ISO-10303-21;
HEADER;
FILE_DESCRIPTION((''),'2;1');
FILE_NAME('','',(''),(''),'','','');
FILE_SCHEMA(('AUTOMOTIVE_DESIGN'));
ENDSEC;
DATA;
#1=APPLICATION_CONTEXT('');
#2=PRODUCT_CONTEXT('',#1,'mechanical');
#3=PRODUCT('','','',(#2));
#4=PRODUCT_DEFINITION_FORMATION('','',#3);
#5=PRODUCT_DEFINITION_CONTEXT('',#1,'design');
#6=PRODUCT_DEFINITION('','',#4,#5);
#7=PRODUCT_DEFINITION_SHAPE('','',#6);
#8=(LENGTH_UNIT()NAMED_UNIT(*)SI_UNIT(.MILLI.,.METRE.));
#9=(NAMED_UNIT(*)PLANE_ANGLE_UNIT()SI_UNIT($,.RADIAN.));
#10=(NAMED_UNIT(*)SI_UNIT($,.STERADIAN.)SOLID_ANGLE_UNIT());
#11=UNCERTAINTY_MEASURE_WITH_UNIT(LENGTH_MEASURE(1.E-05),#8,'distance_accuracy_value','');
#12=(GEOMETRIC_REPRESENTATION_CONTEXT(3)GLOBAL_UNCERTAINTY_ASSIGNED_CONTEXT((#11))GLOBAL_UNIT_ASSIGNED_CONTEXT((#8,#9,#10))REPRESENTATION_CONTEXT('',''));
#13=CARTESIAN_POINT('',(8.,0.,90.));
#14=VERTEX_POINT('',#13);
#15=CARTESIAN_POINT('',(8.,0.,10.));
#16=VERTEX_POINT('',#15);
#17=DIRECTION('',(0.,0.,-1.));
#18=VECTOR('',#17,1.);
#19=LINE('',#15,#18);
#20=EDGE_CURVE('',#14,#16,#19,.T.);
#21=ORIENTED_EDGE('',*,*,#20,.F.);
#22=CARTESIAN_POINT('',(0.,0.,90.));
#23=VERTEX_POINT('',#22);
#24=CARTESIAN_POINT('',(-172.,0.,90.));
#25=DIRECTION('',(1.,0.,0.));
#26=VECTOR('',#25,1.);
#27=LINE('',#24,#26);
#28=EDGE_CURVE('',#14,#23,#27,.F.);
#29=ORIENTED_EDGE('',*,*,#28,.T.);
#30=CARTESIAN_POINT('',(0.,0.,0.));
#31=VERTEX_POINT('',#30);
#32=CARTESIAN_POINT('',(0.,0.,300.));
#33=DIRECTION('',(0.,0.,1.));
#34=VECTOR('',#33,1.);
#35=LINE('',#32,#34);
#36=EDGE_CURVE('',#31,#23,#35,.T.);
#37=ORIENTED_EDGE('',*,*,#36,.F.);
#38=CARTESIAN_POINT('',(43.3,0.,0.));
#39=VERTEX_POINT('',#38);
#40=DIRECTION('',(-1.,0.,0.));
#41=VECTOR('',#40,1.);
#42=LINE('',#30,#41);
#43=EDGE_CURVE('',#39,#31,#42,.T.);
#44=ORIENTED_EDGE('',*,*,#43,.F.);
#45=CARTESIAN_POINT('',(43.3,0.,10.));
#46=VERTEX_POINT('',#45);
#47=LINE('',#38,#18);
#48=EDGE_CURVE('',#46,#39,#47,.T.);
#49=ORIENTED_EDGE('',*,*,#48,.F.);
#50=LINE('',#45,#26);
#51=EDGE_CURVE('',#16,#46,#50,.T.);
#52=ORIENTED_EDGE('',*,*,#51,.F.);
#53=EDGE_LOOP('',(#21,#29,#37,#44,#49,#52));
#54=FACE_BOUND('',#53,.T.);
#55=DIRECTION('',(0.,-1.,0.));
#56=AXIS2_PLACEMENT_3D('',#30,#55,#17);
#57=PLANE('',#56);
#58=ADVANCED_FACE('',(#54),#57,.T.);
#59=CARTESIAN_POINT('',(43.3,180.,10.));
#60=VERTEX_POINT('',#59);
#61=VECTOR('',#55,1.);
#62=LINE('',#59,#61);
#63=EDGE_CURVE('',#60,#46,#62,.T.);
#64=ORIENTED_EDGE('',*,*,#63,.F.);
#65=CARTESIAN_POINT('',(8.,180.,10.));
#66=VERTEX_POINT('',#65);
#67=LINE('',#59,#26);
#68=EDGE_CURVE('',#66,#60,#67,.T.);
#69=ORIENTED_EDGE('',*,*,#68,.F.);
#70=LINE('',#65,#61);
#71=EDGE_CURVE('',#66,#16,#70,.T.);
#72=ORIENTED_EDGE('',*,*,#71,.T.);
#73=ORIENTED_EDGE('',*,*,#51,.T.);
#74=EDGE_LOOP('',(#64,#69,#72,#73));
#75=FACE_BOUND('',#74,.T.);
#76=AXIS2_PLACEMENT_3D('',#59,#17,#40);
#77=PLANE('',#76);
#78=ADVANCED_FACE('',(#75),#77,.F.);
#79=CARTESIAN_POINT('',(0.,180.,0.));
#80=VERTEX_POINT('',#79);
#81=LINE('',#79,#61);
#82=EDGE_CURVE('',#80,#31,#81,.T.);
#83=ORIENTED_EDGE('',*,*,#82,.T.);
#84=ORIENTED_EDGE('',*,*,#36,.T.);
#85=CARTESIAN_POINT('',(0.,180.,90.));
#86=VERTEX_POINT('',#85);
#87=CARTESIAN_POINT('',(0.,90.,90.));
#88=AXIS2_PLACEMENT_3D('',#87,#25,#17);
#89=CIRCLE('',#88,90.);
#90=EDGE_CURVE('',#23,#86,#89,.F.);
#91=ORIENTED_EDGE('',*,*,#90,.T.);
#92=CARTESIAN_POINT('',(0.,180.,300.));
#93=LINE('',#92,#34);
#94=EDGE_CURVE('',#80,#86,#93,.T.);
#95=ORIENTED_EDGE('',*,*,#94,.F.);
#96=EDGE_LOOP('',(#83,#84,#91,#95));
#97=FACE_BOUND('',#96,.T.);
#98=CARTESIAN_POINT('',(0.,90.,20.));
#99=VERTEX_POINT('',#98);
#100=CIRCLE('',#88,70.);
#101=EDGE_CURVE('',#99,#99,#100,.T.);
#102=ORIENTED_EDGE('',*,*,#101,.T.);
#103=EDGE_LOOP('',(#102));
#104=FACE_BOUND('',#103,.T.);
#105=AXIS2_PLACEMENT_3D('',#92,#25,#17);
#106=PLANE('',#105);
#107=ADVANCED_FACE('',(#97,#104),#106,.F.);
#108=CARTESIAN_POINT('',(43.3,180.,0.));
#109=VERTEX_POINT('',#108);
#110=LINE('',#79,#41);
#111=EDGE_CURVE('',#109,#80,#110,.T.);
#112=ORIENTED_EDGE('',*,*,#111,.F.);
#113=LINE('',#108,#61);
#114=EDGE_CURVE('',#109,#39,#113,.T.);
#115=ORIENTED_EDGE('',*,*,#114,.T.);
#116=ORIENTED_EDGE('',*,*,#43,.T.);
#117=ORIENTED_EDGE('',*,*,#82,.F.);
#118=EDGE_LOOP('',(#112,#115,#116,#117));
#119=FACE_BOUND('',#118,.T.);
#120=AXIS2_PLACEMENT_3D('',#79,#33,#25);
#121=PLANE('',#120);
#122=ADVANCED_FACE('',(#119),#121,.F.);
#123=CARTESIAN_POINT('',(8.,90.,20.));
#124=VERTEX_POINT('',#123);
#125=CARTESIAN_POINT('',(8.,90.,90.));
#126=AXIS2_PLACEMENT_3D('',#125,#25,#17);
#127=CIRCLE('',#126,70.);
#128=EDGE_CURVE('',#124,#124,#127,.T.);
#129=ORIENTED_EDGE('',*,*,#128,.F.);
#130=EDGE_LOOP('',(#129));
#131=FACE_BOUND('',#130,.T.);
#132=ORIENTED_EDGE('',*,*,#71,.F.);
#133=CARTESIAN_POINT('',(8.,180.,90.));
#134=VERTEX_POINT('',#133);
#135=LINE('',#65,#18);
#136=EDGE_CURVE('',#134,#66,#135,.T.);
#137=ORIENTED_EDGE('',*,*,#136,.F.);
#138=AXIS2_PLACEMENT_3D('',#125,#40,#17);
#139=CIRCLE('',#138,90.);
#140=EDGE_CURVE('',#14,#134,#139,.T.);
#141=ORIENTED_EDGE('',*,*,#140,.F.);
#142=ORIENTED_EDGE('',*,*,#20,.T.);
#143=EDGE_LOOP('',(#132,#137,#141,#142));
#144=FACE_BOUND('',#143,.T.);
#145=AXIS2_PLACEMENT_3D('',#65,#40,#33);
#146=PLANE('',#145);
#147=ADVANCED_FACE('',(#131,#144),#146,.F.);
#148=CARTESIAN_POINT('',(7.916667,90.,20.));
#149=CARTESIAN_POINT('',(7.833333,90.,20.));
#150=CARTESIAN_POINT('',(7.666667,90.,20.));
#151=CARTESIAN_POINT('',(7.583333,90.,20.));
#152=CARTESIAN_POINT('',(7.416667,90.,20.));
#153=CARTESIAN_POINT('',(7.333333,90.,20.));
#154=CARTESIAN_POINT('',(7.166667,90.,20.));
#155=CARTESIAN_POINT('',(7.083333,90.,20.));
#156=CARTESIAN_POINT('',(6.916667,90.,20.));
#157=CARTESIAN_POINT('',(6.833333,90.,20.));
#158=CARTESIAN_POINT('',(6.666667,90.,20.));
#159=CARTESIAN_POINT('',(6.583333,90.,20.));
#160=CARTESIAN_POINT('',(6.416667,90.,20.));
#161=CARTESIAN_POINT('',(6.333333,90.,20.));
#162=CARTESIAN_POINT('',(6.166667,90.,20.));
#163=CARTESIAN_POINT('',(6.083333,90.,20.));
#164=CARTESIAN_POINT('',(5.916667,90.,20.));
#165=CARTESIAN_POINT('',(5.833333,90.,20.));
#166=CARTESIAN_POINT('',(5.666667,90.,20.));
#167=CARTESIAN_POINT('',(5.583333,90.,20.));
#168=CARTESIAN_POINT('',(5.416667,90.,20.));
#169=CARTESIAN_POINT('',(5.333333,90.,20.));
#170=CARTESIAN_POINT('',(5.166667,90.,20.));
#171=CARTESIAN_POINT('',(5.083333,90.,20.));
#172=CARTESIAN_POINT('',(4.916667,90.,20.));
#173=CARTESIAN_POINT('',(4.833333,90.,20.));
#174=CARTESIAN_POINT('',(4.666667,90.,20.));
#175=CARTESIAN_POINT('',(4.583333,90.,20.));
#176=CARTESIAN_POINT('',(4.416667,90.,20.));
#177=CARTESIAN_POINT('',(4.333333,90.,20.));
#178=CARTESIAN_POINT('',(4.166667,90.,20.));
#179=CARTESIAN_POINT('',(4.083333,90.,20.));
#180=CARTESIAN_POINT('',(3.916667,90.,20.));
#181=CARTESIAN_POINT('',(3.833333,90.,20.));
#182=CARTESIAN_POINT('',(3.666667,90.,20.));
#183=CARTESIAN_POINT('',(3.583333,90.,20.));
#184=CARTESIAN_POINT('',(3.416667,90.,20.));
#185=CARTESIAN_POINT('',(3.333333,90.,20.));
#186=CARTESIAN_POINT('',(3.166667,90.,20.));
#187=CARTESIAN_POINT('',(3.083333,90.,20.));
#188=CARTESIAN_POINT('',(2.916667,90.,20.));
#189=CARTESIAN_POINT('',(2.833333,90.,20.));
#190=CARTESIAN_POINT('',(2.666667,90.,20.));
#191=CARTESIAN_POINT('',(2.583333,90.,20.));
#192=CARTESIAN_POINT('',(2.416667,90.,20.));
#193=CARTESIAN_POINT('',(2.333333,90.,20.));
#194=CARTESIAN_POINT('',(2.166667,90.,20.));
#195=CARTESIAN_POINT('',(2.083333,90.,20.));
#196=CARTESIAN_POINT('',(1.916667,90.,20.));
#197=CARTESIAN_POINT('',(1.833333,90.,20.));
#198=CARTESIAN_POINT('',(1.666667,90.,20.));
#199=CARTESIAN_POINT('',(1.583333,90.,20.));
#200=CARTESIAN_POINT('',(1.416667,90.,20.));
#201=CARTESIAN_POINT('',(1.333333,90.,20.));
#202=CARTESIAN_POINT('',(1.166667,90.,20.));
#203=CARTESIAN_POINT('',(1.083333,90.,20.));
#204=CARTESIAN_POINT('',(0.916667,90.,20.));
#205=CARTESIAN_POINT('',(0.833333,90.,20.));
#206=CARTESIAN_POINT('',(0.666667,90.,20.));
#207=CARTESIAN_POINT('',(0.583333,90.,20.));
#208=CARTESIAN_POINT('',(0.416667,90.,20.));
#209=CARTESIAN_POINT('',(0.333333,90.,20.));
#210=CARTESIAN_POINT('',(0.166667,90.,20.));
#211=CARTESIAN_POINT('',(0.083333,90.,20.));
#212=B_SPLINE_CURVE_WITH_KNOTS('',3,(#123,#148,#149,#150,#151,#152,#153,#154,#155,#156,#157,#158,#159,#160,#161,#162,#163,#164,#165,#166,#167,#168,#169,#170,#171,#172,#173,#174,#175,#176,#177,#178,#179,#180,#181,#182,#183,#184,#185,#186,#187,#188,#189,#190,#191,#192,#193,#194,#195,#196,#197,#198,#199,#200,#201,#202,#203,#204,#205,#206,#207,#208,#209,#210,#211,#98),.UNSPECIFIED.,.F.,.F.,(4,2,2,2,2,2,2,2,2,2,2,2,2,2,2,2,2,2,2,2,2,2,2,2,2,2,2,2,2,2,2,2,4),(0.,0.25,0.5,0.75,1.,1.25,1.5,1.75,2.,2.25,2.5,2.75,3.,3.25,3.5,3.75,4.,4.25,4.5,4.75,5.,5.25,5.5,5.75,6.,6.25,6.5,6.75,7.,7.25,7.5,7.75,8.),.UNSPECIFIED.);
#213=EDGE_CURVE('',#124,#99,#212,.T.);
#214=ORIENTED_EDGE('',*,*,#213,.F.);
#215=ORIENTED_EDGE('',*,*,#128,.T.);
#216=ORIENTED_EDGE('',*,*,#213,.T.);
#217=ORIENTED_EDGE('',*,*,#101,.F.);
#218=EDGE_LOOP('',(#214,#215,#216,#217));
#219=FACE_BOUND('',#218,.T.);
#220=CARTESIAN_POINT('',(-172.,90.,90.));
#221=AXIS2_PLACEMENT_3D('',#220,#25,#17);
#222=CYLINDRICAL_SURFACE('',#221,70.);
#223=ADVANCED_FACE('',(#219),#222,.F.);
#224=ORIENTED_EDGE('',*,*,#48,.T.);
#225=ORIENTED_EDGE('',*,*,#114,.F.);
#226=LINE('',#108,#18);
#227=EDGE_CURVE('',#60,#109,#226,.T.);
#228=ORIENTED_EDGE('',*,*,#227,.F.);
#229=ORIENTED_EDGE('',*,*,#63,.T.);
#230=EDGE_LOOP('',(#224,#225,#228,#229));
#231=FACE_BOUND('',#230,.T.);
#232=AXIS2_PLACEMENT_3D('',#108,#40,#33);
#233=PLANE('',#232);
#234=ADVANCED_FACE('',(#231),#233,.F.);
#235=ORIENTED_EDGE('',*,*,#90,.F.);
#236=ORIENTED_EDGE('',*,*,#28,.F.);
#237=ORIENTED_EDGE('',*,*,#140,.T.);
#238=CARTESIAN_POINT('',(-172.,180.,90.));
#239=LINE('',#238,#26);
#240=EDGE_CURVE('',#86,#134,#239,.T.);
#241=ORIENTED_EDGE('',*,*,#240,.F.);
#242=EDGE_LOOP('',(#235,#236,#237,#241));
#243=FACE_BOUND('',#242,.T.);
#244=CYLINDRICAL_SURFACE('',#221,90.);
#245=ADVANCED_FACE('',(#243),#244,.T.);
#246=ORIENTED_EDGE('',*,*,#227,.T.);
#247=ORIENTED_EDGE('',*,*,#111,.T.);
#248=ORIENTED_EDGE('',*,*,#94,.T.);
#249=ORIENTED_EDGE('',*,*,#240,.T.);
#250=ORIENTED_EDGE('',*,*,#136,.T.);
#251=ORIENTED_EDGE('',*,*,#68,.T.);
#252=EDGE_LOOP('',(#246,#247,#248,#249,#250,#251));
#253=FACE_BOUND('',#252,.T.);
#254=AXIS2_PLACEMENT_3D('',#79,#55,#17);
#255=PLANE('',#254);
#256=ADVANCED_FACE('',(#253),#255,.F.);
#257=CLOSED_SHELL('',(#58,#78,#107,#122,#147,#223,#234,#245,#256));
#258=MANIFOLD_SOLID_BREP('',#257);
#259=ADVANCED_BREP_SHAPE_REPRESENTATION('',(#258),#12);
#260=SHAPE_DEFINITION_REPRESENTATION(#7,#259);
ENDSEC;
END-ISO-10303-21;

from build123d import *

# Parameters (mm, degrees)
EXTRUDE_1_DEPTH     = 180
SKETCH_2_R          = 70
CUT_EXTRUDE_1_DEPTH = 180


with BuildPart() as part:
    # 草图1 → 凸台-拉伸1 (new body)
    with BuildSketch(Plane(origin=(0, 0, 0), x_dir=(1, 0, 0), z_dir=(0, 1, 0))):
        Polygon((0, 0), (43.3, 0), (43.3, -10), (8, -10), (8, -300), (0, -300), align=None)
    extrude(amount=EXTRUDE_1_DEPTH)

    # 草图2 → 切除-拉伸1 (cut)
    with BuildSketch(Plane(origin=(8, 0, 0), x_dir=(0, 0, -1), z_dir=(1, 0, 0))):
        with Locations((-90, 90)):
            Circle(SKETCH_2_R)
        with BuildLine():
            Line((-90, 0), (-300, 0))
            Line((-300, 0), (-300, 180))
            Line((-300, 180), (-90, 180))
            ThreePointArc((-90, 180), (-180, 90), (-90, 0))
        make_face()
    extrude(amount=-CUT_EXTRUDE_1_DEPTH, mode=Mode.SUBTRACT)


solid = part.part
